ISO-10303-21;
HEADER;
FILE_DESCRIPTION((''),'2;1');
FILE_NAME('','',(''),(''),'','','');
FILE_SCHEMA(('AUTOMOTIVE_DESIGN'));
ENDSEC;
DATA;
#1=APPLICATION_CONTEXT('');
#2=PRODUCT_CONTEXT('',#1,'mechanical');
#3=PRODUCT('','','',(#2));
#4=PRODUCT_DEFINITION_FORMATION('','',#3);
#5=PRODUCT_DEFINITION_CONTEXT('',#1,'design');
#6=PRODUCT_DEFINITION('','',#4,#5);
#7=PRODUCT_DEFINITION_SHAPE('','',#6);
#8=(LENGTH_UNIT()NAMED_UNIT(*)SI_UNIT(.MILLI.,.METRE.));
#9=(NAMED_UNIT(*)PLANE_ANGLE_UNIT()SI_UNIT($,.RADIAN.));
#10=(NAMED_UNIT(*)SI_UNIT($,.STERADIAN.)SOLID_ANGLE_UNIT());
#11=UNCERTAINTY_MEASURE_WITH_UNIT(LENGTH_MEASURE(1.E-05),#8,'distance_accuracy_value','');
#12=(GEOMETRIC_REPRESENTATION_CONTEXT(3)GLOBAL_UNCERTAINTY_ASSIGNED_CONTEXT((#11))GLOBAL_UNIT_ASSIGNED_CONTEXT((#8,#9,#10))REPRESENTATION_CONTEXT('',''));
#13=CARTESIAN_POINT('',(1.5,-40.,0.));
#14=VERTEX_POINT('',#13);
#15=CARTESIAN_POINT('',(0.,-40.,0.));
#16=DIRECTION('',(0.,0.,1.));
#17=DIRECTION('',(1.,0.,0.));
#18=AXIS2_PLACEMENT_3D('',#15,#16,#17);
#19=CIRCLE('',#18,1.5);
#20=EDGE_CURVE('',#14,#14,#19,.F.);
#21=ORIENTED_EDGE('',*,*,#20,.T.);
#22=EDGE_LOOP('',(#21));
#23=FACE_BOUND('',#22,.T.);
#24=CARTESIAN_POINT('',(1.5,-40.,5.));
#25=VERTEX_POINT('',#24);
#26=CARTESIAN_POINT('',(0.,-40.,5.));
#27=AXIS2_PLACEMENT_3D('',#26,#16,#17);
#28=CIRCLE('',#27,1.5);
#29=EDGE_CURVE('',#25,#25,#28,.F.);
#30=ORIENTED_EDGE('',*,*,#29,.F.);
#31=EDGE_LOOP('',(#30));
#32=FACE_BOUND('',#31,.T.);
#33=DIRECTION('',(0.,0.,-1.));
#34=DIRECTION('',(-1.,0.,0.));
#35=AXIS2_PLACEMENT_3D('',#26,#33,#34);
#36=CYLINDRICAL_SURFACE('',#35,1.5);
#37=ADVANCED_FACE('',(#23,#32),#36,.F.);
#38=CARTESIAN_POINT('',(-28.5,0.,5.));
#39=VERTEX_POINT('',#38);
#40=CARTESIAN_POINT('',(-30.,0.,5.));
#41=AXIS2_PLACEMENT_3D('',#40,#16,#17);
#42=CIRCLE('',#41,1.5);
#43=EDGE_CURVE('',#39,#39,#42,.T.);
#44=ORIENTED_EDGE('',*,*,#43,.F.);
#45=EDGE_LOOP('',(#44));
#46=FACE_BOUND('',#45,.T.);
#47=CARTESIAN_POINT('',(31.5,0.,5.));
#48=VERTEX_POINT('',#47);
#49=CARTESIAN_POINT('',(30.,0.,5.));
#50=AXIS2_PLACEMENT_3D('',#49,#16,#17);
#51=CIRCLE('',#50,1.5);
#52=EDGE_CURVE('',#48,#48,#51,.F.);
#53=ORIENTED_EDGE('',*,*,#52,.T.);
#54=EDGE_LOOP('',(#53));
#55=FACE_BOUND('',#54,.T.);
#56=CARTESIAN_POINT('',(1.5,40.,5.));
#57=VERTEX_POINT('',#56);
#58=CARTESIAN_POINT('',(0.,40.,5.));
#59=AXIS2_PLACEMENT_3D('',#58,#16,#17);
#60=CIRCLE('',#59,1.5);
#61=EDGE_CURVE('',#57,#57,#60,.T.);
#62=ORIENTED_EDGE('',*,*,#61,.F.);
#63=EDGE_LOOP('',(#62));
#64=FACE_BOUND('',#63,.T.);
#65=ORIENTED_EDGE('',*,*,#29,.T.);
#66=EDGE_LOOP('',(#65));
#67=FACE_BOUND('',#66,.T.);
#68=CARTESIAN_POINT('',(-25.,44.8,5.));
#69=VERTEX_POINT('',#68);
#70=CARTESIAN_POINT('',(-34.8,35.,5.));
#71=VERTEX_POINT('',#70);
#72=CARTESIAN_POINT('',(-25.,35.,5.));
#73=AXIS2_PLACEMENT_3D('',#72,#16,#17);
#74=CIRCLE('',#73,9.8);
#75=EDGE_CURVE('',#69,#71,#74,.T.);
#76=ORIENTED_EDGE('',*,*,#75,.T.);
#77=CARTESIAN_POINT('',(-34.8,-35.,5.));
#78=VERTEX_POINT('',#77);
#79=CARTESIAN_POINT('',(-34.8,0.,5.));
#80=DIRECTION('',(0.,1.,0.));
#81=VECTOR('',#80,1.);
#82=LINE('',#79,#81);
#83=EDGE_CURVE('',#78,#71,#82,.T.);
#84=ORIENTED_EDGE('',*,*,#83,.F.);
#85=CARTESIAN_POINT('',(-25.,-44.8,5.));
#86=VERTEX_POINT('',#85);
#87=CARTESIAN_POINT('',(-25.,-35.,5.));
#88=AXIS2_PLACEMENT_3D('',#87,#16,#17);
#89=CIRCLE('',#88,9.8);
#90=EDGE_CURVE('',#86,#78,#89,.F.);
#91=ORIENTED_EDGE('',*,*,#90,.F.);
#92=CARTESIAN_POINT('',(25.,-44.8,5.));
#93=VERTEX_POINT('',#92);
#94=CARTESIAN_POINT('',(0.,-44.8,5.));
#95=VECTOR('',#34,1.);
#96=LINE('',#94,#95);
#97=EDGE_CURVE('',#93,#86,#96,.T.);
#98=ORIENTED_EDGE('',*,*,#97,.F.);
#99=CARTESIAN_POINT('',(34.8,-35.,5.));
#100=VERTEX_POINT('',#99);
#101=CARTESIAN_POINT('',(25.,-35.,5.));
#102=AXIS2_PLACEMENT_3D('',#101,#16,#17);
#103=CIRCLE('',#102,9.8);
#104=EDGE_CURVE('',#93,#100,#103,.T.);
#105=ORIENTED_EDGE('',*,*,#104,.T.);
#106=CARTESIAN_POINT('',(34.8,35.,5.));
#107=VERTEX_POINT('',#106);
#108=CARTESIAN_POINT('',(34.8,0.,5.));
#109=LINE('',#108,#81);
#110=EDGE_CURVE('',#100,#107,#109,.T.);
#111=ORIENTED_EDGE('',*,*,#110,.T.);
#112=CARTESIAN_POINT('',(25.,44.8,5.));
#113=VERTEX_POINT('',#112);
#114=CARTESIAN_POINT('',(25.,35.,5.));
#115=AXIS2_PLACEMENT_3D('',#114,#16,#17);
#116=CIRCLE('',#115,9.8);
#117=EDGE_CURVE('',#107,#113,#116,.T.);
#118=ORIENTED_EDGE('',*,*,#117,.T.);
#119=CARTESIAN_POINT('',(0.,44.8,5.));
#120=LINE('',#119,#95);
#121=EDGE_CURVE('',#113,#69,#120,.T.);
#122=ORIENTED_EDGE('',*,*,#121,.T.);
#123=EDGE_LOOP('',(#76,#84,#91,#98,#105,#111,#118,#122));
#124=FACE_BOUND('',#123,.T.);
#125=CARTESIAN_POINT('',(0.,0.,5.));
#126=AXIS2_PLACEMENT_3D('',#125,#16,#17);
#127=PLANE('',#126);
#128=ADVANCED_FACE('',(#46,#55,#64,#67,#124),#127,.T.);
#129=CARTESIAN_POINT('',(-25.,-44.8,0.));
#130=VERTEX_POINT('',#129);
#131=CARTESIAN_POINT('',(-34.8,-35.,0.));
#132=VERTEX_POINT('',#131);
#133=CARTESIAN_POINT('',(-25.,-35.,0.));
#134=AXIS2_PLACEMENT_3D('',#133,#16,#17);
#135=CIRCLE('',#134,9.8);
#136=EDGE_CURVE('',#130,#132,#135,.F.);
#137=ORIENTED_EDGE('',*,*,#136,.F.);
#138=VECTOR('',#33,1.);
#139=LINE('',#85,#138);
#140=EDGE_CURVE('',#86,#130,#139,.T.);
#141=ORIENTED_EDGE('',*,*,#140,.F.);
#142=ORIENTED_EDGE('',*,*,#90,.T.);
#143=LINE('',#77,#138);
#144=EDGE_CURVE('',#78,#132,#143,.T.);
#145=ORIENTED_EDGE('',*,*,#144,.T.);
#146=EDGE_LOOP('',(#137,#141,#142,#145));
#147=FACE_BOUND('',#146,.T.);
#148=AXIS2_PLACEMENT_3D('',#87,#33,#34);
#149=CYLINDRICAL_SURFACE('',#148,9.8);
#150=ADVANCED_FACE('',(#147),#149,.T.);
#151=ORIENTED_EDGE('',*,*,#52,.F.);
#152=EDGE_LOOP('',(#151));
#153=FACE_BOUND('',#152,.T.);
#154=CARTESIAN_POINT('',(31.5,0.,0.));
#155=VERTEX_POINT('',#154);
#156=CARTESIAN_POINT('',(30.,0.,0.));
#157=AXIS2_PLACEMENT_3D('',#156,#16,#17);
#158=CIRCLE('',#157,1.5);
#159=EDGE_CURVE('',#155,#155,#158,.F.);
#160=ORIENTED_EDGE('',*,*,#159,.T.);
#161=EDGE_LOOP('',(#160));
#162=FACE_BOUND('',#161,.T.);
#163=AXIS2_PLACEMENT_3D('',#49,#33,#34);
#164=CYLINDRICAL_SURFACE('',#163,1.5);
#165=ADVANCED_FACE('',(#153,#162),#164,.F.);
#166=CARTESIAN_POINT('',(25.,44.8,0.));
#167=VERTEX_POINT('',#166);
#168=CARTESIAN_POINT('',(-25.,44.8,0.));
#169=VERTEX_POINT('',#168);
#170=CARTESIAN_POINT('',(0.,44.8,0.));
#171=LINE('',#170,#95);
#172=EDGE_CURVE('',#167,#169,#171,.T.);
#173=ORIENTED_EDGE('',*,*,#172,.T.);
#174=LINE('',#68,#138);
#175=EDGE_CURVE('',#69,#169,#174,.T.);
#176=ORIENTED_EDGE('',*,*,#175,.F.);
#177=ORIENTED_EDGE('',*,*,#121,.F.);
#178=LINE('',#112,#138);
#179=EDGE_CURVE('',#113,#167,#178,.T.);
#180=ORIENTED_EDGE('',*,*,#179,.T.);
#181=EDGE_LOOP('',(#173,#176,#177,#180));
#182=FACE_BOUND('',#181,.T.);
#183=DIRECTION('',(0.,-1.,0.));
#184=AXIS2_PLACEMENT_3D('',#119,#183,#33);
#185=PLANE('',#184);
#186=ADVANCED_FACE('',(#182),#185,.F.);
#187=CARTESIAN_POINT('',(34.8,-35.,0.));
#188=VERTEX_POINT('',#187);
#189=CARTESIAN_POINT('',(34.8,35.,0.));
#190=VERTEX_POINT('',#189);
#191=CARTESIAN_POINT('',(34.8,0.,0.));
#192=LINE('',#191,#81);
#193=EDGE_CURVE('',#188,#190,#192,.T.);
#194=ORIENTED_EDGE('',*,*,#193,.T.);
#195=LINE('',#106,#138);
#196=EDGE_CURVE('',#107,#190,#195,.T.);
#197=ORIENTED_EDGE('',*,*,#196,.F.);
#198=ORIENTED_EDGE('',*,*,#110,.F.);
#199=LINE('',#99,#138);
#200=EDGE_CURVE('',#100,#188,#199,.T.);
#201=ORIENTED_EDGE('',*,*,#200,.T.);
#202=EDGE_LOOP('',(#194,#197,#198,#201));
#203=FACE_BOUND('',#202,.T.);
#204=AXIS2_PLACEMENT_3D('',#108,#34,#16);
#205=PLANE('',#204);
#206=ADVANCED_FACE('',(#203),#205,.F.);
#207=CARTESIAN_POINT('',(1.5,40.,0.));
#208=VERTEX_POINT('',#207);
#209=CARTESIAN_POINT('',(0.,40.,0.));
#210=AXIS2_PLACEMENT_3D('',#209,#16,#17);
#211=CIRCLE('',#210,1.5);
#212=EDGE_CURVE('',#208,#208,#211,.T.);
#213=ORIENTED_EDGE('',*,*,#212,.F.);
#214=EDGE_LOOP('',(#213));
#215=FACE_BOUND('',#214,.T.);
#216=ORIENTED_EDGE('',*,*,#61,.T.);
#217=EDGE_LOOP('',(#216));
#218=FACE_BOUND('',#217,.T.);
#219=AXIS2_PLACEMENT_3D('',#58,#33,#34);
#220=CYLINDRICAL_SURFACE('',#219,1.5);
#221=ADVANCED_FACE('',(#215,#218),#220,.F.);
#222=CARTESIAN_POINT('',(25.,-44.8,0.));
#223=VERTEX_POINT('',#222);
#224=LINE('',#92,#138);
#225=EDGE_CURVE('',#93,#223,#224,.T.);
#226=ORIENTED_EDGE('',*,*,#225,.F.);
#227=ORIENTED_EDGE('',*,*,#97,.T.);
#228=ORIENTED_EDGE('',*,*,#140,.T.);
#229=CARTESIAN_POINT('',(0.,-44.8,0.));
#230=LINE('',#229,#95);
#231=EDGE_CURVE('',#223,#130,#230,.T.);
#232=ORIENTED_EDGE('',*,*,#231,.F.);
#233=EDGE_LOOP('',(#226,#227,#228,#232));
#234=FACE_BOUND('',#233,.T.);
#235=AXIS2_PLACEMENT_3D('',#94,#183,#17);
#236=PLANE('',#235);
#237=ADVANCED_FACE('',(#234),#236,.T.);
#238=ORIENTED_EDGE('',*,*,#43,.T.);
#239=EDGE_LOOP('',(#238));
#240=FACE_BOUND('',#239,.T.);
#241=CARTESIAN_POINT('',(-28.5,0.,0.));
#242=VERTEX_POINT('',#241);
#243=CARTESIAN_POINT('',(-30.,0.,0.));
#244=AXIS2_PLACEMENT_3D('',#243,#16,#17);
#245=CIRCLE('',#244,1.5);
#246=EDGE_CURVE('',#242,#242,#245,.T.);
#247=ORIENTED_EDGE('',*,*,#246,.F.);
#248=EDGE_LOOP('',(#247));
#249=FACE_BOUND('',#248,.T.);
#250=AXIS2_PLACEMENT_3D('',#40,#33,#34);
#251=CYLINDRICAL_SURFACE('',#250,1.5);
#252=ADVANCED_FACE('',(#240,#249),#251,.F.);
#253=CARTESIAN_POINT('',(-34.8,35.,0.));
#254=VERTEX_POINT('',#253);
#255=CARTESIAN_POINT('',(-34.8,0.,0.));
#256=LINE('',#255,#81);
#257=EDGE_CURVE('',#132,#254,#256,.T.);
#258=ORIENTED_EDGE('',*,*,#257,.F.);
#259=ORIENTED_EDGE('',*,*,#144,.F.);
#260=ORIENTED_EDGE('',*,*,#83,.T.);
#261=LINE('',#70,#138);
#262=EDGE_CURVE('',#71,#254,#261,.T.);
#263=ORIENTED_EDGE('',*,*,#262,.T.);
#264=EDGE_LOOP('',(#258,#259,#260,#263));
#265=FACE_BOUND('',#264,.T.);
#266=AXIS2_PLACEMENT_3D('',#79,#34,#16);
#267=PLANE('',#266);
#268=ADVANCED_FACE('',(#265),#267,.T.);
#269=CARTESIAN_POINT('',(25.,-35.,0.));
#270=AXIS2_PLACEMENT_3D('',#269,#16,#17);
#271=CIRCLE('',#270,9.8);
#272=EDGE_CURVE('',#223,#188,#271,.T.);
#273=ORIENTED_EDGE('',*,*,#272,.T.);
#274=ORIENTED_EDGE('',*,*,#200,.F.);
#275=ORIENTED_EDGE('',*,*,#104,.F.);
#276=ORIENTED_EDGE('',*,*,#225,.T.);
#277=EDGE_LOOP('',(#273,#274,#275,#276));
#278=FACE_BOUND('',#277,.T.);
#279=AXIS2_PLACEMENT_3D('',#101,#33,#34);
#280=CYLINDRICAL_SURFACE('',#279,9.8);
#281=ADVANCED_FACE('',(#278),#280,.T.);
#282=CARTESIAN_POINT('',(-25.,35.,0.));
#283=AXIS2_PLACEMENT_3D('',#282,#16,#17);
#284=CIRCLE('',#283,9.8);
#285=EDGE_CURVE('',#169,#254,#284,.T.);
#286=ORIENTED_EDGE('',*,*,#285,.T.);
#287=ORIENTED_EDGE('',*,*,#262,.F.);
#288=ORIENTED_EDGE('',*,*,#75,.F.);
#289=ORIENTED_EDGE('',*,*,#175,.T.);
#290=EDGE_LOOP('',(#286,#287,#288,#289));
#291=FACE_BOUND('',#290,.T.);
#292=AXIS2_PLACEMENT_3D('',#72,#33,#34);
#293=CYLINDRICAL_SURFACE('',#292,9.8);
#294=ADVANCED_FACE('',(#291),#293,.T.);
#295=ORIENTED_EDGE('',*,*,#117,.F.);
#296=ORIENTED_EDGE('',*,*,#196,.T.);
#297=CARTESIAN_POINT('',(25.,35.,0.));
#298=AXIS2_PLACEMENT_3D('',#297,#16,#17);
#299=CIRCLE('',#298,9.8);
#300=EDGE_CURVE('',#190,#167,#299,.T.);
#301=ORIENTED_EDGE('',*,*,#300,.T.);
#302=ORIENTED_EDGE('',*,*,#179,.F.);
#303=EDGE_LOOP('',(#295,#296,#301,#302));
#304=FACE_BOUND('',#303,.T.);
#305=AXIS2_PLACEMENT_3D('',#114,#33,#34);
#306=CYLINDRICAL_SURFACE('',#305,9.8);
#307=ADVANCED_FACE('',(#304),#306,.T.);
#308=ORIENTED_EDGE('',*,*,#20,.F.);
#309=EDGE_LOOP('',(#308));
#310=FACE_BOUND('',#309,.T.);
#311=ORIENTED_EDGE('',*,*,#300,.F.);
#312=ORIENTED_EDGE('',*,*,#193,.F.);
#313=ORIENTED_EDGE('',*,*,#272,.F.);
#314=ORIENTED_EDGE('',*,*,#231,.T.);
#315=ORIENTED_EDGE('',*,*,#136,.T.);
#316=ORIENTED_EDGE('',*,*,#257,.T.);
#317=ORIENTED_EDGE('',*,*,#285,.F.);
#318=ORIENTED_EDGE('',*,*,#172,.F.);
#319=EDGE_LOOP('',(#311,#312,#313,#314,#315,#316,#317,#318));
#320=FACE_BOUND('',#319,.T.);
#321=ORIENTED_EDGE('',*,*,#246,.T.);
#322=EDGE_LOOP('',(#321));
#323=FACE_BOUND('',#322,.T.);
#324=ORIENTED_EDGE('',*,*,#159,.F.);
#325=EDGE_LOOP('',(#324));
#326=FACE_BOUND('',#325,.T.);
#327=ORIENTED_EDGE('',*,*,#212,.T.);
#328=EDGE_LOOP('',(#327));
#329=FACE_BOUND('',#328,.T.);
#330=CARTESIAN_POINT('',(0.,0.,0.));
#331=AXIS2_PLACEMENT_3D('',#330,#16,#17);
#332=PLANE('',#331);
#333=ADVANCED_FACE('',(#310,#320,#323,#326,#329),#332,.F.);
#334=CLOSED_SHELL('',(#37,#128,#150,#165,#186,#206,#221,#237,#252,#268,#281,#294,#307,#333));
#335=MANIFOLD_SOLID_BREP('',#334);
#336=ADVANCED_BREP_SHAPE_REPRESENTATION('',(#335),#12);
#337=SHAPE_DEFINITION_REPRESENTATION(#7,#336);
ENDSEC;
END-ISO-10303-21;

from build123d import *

# Parameters (mm, degrees)
ESBO_O1_R                = 1.5
RESSALTO_EXTRUS_O1_DEPTH = 5


with BuildPart() as part:
    # Esboço1 → Ressalto-extrusão1 (new body)
    with BuildSketch(Plane.XY):
        with BuildLine():
            Line((34.8, -35), (34.8, 35))
            ThreePointArc((34.8, 35), (31.929646456, 41.929646456), (25, 44.8))
            Line((25, 44.8), (-25, 44.8))
            ThreePointArc((-25, 44.8), (-31.929646456, 41.929646456), (-34.8, 35))
            Line((-34.8, 35), (-34.8, -35))
            ThreePointArc((-34.8, -35), (-31.929646456, -41.929646456), (-25, -44.8))
            Line((-25, -44.8), (25, -44.8))
            ThreePointArc((25, -44.8), (31.929646456, -41.929646456), (34.8, -35))
        make_face()
        with Locations((30, 0)):
            Circle(ESBO_O1_R, mode=Mode.SUBTRACT)
        with Locations((-30, 0)):
            Circle(ESBO_O1_R, mode=Mode.SUBTRACT)
        with Locations((0, 40)):
            Circle(ESBO_O1_R, mode=Mode.SUBTRACT)
        with Locations((0, -40)):
            Circle(ESBO_O1_R, mode=Mode.SUBTRACT)
    extrude(amount=RESSALTO_EXTRUS_O1_DEPTH)


solid = part.part
